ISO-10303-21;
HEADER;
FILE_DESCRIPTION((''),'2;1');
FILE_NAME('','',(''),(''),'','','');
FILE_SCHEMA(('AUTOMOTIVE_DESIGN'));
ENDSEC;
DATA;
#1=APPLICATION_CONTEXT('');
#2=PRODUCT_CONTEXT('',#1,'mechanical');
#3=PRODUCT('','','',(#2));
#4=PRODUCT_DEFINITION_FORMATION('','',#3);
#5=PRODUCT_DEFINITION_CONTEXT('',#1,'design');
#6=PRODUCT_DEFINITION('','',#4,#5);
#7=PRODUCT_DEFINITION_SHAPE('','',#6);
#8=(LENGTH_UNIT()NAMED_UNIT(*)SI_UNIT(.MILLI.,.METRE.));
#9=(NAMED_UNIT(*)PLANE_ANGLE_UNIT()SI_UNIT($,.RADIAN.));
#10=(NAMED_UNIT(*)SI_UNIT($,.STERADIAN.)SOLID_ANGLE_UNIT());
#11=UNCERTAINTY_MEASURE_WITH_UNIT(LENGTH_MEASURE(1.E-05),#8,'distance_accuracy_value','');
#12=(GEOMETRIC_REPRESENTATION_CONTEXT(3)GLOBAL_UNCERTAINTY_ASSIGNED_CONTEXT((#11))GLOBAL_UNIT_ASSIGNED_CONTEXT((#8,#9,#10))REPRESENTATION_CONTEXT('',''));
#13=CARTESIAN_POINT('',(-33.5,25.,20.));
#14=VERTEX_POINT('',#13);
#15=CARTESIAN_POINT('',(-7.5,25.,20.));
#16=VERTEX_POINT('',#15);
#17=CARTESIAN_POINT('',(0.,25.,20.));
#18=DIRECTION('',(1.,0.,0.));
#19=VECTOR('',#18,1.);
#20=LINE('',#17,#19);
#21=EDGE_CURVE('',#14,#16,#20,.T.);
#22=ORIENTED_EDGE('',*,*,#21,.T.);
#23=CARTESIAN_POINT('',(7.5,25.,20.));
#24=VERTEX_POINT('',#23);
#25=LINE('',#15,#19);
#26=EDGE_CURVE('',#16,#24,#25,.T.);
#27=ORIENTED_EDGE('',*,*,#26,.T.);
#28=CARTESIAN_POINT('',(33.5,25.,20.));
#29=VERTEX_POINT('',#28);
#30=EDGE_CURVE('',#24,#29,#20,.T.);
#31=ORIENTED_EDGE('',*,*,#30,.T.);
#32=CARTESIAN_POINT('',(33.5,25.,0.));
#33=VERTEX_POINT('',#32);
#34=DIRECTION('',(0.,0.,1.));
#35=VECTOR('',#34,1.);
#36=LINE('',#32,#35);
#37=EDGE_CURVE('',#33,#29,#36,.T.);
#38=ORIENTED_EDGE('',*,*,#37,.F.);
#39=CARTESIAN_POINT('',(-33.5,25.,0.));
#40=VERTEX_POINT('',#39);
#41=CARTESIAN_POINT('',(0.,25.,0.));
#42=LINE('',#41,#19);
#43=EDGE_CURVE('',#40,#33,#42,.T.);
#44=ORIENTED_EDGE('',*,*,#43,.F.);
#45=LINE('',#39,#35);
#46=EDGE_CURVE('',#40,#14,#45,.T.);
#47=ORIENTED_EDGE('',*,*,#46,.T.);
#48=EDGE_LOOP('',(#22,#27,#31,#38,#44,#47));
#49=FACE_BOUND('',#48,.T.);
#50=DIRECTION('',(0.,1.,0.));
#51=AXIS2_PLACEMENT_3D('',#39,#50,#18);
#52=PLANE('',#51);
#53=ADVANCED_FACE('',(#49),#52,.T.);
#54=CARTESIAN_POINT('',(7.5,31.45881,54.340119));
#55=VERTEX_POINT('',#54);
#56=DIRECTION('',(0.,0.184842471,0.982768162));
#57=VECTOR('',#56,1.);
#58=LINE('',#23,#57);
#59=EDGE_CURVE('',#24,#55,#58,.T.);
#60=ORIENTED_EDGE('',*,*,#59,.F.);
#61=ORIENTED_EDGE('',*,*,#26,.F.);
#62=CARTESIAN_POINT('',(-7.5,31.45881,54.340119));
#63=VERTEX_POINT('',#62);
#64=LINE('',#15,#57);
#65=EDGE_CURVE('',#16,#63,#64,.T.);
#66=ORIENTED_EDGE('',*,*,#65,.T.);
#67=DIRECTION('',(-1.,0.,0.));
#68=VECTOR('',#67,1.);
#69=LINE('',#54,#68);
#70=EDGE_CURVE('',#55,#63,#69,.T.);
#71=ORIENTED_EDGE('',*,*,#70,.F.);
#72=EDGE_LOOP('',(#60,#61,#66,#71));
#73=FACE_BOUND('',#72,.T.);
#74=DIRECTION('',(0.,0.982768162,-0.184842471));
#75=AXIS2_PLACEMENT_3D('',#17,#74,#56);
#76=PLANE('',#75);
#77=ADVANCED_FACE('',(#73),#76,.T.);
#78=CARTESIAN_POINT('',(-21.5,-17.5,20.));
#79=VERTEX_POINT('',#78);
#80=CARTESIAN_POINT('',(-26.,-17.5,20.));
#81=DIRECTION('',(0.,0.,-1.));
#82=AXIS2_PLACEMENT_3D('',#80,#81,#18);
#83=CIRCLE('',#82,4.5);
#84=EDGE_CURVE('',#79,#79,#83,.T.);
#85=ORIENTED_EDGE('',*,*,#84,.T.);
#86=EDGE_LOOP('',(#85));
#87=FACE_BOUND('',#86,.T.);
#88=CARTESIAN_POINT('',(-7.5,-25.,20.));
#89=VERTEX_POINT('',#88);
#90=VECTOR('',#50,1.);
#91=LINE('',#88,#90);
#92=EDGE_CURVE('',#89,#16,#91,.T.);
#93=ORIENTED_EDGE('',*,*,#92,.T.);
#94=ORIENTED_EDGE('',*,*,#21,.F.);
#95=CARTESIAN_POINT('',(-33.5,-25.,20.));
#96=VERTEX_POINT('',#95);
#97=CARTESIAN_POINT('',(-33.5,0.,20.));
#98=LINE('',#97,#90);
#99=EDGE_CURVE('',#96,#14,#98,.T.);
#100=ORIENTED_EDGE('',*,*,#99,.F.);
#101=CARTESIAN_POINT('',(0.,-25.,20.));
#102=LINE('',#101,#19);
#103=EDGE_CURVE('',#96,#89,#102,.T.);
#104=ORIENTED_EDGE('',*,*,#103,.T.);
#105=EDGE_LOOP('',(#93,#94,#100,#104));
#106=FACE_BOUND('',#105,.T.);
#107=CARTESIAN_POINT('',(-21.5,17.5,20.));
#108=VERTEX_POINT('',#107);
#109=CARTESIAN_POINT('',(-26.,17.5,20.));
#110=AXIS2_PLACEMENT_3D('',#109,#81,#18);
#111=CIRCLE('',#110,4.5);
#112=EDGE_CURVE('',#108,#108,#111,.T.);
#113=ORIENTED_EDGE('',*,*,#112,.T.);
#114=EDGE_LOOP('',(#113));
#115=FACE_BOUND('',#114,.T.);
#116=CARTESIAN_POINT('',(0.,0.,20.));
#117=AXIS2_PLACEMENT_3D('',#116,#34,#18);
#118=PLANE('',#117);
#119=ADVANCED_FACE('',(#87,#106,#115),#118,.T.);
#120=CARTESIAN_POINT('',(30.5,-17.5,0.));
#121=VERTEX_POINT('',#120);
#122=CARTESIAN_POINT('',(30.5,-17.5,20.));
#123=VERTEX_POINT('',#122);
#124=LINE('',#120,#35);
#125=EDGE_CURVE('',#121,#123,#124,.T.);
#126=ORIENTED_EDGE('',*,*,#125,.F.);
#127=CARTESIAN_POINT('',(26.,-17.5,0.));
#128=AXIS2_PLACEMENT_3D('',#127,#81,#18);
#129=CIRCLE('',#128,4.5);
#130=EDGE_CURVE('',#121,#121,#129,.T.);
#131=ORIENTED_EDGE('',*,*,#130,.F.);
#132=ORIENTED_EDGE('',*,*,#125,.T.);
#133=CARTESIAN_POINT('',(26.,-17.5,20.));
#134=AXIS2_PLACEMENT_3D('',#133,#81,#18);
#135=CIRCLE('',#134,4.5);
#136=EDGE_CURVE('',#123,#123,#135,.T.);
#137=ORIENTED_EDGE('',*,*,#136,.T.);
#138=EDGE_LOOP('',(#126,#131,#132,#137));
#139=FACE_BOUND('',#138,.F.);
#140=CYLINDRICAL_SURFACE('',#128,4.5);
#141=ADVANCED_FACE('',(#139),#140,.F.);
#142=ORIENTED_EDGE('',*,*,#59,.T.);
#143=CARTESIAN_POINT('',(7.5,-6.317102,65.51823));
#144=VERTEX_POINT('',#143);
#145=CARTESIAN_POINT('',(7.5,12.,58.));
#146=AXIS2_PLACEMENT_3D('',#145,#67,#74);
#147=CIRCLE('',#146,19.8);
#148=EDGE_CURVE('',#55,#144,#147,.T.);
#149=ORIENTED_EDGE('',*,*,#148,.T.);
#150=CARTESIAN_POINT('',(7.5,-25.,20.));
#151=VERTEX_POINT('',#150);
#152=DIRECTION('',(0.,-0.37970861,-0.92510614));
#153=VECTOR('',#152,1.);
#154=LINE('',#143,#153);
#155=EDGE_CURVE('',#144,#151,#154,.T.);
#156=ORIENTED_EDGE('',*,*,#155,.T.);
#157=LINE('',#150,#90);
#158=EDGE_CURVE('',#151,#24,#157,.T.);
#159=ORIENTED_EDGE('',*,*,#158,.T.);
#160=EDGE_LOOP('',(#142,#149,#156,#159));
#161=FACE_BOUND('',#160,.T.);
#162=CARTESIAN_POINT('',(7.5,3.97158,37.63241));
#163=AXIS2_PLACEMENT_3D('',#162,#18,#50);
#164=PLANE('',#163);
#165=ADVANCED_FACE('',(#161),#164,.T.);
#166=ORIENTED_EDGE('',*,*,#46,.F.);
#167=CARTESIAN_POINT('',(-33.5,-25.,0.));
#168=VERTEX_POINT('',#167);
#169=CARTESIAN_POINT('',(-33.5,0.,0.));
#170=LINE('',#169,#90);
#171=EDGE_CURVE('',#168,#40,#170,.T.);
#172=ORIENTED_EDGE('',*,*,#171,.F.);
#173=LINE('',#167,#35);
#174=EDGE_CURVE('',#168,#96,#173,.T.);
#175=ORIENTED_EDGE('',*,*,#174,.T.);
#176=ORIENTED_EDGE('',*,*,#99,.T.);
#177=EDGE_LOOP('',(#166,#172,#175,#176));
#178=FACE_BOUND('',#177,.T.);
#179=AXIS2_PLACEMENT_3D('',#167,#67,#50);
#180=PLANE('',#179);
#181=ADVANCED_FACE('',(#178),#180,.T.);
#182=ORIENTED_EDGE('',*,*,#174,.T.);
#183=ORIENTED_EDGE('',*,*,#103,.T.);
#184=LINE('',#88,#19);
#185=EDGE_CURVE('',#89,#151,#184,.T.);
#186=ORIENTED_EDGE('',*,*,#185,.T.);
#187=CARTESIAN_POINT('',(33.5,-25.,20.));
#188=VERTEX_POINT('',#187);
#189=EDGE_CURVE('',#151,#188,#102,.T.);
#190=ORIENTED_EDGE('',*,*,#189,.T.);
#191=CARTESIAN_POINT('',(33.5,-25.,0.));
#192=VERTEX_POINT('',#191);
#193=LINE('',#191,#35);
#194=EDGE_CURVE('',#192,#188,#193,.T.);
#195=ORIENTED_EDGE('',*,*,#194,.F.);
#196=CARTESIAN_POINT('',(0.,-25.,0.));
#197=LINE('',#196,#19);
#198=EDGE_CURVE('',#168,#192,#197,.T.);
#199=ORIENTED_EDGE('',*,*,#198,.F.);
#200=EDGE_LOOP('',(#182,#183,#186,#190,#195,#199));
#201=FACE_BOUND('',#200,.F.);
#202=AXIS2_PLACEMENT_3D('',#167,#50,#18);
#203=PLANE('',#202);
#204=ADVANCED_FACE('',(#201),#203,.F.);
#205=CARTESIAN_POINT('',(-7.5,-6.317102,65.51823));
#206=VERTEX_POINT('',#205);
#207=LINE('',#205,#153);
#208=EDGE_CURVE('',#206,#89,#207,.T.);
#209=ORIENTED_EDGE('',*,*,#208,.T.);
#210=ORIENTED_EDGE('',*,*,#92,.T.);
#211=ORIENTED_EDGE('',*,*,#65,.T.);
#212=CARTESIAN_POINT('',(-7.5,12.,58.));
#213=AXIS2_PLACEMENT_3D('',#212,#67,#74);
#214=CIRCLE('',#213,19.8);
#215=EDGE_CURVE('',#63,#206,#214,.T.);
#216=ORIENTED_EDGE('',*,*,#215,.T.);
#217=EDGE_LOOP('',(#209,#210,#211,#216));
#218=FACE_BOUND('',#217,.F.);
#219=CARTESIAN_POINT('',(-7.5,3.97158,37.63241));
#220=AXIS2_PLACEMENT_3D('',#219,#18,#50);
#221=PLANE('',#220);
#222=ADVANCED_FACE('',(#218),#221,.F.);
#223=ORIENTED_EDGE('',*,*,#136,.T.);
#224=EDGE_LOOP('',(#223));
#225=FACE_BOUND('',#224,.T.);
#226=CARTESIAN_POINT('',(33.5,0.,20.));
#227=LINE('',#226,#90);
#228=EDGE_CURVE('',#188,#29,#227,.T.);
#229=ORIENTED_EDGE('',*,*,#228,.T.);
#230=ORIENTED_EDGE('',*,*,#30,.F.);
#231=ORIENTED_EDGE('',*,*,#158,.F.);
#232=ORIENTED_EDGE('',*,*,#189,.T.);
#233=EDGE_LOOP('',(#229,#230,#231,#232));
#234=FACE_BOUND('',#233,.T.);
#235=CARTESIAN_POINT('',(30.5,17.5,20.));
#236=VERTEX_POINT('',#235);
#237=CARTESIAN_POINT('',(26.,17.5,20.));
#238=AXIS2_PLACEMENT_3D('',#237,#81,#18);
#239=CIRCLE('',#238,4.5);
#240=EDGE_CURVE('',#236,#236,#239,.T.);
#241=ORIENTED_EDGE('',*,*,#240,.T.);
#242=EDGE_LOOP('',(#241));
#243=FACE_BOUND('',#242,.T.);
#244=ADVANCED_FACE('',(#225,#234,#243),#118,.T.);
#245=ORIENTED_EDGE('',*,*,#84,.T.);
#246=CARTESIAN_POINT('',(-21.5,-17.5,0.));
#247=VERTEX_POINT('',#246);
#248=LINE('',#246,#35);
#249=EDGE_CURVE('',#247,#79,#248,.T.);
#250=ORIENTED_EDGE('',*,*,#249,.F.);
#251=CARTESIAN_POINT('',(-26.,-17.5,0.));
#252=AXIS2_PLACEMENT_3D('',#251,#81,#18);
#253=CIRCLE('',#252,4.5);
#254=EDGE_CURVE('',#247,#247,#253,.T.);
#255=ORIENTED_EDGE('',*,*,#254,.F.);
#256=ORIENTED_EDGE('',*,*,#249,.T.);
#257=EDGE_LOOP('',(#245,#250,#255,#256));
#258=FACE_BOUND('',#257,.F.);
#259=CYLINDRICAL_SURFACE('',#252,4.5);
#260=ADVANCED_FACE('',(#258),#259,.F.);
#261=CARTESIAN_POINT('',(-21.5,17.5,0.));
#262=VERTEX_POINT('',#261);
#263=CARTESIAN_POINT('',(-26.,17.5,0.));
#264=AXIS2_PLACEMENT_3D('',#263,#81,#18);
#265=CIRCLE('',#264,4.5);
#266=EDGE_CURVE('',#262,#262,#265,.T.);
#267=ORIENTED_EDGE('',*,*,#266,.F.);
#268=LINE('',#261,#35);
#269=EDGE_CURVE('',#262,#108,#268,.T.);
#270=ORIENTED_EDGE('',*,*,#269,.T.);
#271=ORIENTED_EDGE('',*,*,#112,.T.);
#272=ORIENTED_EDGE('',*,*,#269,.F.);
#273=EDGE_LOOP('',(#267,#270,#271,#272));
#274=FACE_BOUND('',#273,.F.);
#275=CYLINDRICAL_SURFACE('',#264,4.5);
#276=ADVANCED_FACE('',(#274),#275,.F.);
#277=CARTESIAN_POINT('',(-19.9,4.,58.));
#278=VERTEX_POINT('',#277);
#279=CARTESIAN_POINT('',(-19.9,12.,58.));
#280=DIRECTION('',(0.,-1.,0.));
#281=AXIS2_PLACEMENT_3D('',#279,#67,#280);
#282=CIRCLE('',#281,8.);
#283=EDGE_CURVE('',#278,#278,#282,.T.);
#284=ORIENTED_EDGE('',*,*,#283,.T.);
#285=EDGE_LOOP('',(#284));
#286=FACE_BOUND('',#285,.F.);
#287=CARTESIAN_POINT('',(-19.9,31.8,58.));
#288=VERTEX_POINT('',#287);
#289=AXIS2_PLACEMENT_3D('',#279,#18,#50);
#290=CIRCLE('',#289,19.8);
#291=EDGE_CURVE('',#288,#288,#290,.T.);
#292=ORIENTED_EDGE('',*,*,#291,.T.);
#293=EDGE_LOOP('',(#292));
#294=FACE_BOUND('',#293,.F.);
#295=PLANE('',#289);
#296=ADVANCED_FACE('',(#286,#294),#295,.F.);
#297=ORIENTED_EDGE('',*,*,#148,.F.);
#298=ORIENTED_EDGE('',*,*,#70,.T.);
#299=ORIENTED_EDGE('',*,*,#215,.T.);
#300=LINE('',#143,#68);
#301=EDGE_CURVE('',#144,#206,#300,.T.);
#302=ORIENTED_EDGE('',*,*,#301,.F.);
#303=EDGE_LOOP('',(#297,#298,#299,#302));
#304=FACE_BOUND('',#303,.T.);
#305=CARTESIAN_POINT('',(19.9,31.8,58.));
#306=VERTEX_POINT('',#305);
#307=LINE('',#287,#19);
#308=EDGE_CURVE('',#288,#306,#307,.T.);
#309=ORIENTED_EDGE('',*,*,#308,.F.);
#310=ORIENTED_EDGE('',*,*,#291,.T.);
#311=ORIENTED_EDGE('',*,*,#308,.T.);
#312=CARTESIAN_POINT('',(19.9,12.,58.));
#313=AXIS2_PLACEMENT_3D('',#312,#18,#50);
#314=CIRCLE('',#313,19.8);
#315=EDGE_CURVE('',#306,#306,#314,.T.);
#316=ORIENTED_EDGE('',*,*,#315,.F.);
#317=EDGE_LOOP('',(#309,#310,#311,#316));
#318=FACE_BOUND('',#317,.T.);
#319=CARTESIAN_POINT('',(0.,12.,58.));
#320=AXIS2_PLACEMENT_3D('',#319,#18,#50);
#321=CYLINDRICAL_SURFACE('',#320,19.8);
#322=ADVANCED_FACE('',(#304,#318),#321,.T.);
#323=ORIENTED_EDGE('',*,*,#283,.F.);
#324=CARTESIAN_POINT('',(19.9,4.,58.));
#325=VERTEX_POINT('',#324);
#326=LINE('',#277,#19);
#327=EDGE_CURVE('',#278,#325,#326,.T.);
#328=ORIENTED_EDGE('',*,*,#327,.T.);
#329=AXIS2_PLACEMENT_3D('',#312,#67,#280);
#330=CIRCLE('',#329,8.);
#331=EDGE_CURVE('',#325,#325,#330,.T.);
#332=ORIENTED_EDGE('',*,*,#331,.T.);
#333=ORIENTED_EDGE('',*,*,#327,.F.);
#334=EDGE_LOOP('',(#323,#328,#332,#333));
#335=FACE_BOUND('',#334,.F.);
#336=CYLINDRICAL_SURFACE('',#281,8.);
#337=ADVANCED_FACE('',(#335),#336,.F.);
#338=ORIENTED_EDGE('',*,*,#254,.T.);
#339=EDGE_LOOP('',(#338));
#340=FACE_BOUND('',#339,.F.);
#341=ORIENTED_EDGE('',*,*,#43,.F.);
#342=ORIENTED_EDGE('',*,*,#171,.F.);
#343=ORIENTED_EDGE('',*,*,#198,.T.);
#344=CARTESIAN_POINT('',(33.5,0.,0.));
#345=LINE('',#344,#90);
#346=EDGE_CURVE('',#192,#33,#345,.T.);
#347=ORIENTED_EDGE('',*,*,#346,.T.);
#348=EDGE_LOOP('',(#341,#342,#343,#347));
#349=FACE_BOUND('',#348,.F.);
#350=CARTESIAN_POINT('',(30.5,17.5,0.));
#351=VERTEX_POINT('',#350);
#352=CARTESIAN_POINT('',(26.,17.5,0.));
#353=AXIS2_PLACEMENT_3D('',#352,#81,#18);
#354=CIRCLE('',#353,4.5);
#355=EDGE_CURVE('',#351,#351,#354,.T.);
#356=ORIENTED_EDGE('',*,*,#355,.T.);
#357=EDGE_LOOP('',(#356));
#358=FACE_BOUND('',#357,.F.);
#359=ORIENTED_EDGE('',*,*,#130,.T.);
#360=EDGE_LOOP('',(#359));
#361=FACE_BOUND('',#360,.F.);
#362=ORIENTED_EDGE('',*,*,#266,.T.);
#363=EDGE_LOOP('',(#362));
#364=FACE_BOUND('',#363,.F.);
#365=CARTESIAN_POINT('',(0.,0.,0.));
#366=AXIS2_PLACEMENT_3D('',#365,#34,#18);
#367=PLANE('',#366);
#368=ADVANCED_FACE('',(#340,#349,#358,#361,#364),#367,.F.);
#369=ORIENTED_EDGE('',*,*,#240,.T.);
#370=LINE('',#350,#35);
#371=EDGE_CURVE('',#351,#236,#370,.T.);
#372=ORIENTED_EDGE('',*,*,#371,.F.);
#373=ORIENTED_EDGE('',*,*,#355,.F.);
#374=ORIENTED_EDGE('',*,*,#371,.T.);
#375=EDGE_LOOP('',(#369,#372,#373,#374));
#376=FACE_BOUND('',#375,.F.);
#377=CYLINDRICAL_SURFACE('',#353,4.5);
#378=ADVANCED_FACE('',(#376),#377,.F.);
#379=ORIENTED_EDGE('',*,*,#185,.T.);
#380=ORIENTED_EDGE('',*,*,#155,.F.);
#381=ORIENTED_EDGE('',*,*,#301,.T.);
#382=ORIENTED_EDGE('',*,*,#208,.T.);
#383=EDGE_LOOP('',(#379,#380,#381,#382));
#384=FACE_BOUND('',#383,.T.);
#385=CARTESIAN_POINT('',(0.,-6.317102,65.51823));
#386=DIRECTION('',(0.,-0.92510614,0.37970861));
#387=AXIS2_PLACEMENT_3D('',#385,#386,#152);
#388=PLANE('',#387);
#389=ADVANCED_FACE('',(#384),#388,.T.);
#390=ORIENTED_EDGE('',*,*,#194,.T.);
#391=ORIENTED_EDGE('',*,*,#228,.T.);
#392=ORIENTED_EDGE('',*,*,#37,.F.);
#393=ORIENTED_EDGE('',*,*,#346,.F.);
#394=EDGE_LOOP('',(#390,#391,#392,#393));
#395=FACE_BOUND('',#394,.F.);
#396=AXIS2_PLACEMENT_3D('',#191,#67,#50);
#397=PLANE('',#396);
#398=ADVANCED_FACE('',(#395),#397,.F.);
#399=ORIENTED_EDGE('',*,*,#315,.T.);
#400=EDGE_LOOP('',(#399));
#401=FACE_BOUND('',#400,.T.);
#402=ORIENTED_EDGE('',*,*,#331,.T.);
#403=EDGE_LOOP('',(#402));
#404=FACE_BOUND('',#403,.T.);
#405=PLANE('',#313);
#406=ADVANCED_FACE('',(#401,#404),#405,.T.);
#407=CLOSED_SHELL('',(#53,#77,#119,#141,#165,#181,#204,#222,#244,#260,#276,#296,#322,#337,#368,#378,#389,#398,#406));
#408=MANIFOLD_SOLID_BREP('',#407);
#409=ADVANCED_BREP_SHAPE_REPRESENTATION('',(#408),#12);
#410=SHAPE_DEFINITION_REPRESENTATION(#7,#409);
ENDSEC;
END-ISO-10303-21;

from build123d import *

# Parameters (mm, degrees)
F0_W     = 67
F0_H     = 50
F1_DEPTH = 20
F2_R     = 19.8
F3_DEPTH = 19.9
F4_R     = 8
F5_DEPTH = 53.401
F7_DEPTH = 7.5
F8_R     = 4.5
F9_DEPTH = 20


with BuildPart() as f1:
    # F0 (on Top) → F1 (new body)
    with BuildSketch(Plane.XY):
        Rectangle(F0_W, F0_H)
    extrude(amount=F1_DEPTH)



with BuildPart() as f3:
    # F2 (on Right) → F3 (new body, symmetric)
    with BuildSketch(Plane.YZ):
        with Locations((12, 58)):
            Circle(F2_R)
    extrude(amount=F3_DEPTH, both=True)

    # F4 (on face) → F5 (cut, through all)
    with BuildSketch(Plane(origin=(-19.9, 0, 0), x_dir=(0, -1, 0), z_dir=(-1, 0, 0))):
        with Locations((-12, 58)):
            Circle(F4_R)
    extrude(amount=-F5_DEPTH, mode=Mode.SUBTRACT)


with BuildPart() as f1_1:
    add(f1.part)

    add(f3.part)  # F7 merges F3
    # F6 (on Right) → F7 (join, symmetric)
    with BuildSketch(Plane.YZ):
        with BuildLine():
            Line((-6.3171015814, 65.5182304871), (-25, 20))
            Line((-25, 20), (25, 20))
            Line((25, 20), (31.4588096153, 54.3401190789))
            ThreePointArc((31.4588096153, 54.3401190789), (6.3818670386, 39.0137791536), (-6.3171015814, 65.5182304871))
        make_face()
    extrude(amount=F7_DEPTH, both=True)

    # F8 (on face) → F9 (cut, through all)
    with BuildSketch(Plane(origin=(0, 0, 0), x_dir=(1, 0, 0), z_dir=(0, 0, -1))):
        with Locations((-26, 17.5)):
            Circle(F8_R)
        with Locations((26, 17.5)):
            Circle(F8_R)
        with Locations((26, -17.5)):
            Circle(F8_R)
        with Locations((-26, -17.5)):
            Circle(F8_R)
    extrude(amount=-F9_DEPTH, mode=Mode.SUBTRACT)


solid = f1_1.part
